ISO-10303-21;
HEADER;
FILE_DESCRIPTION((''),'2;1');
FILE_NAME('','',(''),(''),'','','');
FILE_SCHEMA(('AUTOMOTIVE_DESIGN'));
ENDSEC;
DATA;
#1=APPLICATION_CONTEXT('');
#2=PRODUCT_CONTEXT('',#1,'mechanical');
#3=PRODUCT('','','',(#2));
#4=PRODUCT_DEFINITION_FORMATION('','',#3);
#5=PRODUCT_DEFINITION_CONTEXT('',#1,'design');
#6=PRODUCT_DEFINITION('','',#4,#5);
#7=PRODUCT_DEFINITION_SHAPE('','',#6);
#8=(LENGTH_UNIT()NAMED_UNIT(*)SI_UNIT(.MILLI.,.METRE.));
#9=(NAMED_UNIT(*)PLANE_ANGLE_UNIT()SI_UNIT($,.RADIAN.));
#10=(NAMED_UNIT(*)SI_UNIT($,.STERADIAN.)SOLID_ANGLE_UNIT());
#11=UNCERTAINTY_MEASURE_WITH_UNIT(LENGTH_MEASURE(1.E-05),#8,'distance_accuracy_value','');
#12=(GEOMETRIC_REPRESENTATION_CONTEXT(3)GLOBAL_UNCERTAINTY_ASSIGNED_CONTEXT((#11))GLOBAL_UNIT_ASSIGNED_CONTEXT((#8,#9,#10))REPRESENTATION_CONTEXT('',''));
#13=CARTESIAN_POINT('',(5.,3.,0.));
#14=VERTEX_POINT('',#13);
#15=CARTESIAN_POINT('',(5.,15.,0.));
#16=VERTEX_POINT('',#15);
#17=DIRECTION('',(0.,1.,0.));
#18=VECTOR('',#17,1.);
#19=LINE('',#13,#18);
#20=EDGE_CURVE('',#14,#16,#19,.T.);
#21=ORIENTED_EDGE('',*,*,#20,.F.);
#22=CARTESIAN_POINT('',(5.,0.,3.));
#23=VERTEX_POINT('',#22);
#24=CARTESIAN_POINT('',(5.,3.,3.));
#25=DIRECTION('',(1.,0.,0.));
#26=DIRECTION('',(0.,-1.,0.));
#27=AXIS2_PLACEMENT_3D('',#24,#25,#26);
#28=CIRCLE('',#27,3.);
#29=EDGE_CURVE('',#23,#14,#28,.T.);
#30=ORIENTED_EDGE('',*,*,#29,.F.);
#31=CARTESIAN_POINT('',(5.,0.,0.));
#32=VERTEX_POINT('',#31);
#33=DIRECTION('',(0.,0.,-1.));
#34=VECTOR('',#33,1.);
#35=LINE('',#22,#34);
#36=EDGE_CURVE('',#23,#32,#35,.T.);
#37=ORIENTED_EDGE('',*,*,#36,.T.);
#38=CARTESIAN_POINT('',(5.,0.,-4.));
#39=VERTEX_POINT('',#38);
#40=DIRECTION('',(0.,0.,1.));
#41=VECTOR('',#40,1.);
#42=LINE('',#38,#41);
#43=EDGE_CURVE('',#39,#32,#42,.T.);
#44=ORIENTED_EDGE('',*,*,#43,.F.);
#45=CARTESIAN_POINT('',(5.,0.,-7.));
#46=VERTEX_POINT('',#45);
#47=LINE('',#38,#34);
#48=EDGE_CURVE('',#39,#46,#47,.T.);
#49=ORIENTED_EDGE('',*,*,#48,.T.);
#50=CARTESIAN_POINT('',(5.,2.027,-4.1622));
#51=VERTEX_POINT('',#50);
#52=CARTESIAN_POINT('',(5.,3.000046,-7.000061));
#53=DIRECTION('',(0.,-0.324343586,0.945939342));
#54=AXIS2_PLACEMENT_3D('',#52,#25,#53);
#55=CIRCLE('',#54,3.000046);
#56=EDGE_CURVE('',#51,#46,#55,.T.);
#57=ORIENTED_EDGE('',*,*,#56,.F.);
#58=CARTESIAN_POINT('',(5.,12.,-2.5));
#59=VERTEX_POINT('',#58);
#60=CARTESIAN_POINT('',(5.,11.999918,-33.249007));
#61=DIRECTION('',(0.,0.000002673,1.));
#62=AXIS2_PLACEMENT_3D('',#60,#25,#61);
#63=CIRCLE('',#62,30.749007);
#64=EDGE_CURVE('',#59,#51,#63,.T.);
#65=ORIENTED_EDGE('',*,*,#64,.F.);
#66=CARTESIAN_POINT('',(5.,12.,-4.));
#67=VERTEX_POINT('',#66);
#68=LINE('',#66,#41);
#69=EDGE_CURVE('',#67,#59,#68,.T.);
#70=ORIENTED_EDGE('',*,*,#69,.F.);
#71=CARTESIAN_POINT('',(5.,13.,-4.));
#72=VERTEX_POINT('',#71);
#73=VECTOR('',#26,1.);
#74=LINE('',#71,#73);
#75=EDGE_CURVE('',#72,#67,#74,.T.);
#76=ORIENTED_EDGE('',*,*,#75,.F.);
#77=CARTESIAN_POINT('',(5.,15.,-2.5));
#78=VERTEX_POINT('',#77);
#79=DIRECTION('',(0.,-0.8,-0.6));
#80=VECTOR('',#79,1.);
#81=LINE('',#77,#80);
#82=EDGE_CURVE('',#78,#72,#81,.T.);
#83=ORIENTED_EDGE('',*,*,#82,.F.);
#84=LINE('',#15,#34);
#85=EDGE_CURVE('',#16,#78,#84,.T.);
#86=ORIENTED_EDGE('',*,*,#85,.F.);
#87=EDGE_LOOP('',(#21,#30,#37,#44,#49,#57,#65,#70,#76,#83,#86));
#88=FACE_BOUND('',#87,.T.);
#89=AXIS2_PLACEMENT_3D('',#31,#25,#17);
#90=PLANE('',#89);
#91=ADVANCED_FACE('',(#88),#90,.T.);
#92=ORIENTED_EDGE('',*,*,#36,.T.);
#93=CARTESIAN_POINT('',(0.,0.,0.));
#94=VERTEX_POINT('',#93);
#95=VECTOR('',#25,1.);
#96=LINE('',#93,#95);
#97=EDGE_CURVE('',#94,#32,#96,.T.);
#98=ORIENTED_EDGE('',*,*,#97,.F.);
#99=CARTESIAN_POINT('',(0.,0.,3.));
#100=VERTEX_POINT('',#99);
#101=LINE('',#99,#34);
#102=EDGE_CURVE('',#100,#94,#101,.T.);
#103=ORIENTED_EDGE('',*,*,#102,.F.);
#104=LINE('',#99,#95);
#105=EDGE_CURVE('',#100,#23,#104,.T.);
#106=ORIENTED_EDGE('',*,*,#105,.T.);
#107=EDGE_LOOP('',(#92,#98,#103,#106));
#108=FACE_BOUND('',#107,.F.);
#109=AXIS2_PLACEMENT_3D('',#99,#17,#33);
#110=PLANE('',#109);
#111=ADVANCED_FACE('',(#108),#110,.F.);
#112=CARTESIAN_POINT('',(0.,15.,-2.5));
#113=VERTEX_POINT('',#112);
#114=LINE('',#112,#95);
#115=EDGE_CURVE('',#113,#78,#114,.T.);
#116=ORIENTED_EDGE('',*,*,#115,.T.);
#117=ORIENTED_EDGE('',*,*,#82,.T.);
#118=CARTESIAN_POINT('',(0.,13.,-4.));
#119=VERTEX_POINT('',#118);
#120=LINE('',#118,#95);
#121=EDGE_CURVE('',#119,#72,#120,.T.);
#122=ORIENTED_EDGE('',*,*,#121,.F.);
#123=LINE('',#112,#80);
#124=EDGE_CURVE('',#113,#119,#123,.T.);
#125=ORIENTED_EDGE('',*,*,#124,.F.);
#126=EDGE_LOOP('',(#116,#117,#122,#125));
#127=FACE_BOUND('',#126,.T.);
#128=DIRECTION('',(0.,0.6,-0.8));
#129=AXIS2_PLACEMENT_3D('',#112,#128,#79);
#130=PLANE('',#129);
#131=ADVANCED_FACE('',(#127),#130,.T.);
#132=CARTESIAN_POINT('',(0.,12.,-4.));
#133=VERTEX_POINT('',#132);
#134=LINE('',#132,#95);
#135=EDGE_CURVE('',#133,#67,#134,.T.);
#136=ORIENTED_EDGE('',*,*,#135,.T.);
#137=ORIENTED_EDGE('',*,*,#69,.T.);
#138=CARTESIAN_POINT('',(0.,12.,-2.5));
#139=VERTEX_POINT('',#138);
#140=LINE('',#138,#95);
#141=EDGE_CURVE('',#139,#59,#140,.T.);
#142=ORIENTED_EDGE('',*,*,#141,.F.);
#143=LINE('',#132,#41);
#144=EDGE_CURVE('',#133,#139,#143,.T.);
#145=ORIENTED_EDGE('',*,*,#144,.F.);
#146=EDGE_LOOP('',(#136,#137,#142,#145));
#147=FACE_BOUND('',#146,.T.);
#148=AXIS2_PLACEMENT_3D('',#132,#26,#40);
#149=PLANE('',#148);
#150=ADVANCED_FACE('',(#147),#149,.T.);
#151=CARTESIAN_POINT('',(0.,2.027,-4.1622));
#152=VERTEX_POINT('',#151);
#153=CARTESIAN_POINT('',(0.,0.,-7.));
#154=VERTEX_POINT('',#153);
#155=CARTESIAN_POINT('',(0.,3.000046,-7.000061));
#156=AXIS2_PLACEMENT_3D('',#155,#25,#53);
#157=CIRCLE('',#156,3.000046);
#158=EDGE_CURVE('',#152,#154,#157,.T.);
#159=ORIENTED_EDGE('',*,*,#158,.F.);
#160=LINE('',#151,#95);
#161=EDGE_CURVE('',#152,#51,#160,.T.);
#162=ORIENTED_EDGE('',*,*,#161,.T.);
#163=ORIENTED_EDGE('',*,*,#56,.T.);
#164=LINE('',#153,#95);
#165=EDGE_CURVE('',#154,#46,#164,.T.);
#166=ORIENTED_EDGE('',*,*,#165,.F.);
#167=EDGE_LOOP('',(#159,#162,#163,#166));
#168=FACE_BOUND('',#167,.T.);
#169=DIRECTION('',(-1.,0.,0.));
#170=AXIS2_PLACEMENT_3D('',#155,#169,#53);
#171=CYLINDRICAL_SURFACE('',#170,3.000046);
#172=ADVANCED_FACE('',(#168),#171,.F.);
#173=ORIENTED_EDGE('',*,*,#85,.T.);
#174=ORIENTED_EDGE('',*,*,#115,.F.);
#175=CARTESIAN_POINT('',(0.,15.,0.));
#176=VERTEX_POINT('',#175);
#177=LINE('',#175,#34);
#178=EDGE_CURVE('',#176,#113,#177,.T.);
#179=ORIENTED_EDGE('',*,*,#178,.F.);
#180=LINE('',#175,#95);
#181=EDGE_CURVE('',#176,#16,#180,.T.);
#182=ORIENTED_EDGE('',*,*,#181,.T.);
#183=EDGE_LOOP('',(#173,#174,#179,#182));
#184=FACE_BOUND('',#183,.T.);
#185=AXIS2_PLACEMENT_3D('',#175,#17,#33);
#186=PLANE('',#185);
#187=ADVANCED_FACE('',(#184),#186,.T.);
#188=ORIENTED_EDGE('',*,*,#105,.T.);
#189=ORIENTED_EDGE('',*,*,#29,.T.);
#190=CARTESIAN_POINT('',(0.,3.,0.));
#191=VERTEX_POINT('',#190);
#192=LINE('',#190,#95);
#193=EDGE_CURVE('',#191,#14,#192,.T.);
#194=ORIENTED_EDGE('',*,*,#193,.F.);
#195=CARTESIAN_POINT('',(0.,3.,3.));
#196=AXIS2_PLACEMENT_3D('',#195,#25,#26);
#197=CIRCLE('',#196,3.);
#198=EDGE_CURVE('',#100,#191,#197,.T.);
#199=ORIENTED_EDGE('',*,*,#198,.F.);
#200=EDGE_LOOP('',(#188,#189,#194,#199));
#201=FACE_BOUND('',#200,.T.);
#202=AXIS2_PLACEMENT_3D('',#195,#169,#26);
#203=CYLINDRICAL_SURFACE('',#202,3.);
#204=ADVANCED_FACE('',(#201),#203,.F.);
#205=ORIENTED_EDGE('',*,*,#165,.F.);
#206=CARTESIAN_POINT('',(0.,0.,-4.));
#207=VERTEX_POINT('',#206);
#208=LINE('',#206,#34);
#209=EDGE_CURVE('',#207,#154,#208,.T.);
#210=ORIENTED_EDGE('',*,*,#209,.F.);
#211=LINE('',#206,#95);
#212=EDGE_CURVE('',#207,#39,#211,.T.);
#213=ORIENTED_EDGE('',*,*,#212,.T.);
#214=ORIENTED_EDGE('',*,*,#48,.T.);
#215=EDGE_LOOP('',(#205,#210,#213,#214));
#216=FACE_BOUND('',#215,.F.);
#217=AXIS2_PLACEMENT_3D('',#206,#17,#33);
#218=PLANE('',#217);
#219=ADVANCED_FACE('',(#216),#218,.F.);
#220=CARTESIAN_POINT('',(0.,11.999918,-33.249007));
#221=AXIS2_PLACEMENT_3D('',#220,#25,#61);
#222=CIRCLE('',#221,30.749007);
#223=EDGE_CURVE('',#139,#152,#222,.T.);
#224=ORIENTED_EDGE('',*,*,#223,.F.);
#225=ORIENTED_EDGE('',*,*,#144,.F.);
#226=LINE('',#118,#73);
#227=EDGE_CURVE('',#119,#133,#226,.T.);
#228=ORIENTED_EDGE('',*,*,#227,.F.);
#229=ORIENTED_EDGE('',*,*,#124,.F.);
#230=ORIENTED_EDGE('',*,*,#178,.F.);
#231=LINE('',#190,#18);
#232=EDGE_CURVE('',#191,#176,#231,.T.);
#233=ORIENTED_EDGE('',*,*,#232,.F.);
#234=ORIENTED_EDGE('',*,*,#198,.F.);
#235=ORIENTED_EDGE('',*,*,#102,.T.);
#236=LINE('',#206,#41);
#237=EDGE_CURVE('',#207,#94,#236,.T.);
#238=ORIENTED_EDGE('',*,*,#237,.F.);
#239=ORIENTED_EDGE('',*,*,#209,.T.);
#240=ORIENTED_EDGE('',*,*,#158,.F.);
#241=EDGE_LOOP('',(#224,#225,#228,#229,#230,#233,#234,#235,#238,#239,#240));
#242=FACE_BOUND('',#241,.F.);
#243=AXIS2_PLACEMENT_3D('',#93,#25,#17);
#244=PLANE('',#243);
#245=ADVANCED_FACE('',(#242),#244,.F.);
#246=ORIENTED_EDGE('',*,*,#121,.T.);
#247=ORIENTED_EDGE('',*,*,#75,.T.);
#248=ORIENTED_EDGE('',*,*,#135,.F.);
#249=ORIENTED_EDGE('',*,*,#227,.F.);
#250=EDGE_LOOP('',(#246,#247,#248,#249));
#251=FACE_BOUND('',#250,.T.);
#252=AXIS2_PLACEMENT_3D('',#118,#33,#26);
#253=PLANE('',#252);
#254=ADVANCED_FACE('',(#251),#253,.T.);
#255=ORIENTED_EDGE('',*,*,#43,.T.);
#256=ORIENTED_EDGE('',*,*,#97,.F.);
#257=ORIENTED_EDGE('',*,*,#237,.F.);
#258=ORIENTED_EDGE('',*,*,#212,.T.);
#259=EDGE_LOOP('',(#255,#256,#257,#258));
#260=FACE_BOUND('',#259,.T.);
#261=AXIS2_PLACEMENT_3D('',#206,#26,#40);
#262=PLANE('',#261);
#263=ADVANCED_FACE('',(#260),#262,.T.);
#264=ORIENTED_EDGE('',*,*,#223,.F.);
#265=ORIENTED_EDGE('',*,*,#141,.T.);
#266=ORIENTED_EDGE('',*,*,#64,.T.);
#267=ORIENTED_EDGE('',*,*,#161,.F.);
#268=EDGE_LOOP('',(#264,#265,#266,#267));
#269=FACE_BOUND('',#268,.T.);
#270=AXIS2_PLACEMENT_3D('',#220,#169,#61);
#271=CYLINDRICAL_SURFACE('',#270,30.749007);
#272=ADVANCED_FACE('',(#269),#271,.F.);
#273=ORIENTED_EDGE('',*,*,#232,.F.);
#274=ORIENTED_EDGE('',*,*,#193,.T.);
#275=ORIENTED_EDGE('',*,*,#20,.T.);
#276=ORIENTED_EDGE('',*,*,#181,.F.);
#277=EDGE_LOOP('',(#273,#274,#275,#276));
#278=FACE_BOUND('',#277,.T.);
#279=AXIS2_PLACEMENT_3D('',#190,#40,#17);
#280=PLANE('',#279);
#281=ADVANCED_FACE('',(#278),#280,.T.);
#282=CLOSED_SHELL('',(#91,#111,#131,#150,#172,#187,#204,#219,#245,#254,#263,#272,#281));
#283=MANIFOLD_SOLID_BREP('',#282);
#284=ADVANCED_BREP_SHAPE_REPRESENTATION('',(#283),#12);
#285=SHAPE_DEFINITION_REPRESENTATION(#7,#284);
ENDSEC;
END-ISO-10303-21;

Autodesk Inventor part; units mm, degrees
ref_plane "YZ Plane" through (0, 0, 0) normal (1, 0, 0) x (0, 1, 0)
ref_plane "XZ Plane" through (0, 0, 0) normal (0, 1, 0) x (-1, 0, 0)
ref_plane "XY Plane" through (0, 0, 0) normal (0, 0, 1) x (1, 0, 0)
sketch "Sketch1" plane through (0, 0, 0) normal (1, 0, 0) x (0, 1, 0)
  line L0 (3, 0) -> (15, 0)
  line L1 (15, 0) -> (15, -2.5)
  line L2 (15, -2.5) -> (13, -4)
  line L3 (13, -4) -> (12, -4)
  line L4 (12, -4) -> (12, -2.5)
  line L5 (0, -4) -> (0, 0)
  arc A0 (12, -2.5) -> (2.027, -4.1622) centre (12, -33.25) ccw
  line L6 (0, 3) -> (0, 0)
  arc A1 (0, 3) -> (3, 0) centre (3, 3) ccw
  line L7 (0, -4) -> (0, -7)
  arc A2 (2.027, -4.1622) -> (0, -7) centre (3, -7) ccw
  dimension "d0" = 12
  dimension "d1" = 4
  dimension "d2" = 1.5
  dimension "d3" = 3
  dimension "d4" = 2.5
  dimension "d5" = 1
  dimension "d15" = 3
  dimension "d17" = 3
  dimension "d18" = 3
extrude "Extrusion1" add sketch "Sketch1" along normal blind 5
properties part number "Clipje" material "ABS Plastic"
